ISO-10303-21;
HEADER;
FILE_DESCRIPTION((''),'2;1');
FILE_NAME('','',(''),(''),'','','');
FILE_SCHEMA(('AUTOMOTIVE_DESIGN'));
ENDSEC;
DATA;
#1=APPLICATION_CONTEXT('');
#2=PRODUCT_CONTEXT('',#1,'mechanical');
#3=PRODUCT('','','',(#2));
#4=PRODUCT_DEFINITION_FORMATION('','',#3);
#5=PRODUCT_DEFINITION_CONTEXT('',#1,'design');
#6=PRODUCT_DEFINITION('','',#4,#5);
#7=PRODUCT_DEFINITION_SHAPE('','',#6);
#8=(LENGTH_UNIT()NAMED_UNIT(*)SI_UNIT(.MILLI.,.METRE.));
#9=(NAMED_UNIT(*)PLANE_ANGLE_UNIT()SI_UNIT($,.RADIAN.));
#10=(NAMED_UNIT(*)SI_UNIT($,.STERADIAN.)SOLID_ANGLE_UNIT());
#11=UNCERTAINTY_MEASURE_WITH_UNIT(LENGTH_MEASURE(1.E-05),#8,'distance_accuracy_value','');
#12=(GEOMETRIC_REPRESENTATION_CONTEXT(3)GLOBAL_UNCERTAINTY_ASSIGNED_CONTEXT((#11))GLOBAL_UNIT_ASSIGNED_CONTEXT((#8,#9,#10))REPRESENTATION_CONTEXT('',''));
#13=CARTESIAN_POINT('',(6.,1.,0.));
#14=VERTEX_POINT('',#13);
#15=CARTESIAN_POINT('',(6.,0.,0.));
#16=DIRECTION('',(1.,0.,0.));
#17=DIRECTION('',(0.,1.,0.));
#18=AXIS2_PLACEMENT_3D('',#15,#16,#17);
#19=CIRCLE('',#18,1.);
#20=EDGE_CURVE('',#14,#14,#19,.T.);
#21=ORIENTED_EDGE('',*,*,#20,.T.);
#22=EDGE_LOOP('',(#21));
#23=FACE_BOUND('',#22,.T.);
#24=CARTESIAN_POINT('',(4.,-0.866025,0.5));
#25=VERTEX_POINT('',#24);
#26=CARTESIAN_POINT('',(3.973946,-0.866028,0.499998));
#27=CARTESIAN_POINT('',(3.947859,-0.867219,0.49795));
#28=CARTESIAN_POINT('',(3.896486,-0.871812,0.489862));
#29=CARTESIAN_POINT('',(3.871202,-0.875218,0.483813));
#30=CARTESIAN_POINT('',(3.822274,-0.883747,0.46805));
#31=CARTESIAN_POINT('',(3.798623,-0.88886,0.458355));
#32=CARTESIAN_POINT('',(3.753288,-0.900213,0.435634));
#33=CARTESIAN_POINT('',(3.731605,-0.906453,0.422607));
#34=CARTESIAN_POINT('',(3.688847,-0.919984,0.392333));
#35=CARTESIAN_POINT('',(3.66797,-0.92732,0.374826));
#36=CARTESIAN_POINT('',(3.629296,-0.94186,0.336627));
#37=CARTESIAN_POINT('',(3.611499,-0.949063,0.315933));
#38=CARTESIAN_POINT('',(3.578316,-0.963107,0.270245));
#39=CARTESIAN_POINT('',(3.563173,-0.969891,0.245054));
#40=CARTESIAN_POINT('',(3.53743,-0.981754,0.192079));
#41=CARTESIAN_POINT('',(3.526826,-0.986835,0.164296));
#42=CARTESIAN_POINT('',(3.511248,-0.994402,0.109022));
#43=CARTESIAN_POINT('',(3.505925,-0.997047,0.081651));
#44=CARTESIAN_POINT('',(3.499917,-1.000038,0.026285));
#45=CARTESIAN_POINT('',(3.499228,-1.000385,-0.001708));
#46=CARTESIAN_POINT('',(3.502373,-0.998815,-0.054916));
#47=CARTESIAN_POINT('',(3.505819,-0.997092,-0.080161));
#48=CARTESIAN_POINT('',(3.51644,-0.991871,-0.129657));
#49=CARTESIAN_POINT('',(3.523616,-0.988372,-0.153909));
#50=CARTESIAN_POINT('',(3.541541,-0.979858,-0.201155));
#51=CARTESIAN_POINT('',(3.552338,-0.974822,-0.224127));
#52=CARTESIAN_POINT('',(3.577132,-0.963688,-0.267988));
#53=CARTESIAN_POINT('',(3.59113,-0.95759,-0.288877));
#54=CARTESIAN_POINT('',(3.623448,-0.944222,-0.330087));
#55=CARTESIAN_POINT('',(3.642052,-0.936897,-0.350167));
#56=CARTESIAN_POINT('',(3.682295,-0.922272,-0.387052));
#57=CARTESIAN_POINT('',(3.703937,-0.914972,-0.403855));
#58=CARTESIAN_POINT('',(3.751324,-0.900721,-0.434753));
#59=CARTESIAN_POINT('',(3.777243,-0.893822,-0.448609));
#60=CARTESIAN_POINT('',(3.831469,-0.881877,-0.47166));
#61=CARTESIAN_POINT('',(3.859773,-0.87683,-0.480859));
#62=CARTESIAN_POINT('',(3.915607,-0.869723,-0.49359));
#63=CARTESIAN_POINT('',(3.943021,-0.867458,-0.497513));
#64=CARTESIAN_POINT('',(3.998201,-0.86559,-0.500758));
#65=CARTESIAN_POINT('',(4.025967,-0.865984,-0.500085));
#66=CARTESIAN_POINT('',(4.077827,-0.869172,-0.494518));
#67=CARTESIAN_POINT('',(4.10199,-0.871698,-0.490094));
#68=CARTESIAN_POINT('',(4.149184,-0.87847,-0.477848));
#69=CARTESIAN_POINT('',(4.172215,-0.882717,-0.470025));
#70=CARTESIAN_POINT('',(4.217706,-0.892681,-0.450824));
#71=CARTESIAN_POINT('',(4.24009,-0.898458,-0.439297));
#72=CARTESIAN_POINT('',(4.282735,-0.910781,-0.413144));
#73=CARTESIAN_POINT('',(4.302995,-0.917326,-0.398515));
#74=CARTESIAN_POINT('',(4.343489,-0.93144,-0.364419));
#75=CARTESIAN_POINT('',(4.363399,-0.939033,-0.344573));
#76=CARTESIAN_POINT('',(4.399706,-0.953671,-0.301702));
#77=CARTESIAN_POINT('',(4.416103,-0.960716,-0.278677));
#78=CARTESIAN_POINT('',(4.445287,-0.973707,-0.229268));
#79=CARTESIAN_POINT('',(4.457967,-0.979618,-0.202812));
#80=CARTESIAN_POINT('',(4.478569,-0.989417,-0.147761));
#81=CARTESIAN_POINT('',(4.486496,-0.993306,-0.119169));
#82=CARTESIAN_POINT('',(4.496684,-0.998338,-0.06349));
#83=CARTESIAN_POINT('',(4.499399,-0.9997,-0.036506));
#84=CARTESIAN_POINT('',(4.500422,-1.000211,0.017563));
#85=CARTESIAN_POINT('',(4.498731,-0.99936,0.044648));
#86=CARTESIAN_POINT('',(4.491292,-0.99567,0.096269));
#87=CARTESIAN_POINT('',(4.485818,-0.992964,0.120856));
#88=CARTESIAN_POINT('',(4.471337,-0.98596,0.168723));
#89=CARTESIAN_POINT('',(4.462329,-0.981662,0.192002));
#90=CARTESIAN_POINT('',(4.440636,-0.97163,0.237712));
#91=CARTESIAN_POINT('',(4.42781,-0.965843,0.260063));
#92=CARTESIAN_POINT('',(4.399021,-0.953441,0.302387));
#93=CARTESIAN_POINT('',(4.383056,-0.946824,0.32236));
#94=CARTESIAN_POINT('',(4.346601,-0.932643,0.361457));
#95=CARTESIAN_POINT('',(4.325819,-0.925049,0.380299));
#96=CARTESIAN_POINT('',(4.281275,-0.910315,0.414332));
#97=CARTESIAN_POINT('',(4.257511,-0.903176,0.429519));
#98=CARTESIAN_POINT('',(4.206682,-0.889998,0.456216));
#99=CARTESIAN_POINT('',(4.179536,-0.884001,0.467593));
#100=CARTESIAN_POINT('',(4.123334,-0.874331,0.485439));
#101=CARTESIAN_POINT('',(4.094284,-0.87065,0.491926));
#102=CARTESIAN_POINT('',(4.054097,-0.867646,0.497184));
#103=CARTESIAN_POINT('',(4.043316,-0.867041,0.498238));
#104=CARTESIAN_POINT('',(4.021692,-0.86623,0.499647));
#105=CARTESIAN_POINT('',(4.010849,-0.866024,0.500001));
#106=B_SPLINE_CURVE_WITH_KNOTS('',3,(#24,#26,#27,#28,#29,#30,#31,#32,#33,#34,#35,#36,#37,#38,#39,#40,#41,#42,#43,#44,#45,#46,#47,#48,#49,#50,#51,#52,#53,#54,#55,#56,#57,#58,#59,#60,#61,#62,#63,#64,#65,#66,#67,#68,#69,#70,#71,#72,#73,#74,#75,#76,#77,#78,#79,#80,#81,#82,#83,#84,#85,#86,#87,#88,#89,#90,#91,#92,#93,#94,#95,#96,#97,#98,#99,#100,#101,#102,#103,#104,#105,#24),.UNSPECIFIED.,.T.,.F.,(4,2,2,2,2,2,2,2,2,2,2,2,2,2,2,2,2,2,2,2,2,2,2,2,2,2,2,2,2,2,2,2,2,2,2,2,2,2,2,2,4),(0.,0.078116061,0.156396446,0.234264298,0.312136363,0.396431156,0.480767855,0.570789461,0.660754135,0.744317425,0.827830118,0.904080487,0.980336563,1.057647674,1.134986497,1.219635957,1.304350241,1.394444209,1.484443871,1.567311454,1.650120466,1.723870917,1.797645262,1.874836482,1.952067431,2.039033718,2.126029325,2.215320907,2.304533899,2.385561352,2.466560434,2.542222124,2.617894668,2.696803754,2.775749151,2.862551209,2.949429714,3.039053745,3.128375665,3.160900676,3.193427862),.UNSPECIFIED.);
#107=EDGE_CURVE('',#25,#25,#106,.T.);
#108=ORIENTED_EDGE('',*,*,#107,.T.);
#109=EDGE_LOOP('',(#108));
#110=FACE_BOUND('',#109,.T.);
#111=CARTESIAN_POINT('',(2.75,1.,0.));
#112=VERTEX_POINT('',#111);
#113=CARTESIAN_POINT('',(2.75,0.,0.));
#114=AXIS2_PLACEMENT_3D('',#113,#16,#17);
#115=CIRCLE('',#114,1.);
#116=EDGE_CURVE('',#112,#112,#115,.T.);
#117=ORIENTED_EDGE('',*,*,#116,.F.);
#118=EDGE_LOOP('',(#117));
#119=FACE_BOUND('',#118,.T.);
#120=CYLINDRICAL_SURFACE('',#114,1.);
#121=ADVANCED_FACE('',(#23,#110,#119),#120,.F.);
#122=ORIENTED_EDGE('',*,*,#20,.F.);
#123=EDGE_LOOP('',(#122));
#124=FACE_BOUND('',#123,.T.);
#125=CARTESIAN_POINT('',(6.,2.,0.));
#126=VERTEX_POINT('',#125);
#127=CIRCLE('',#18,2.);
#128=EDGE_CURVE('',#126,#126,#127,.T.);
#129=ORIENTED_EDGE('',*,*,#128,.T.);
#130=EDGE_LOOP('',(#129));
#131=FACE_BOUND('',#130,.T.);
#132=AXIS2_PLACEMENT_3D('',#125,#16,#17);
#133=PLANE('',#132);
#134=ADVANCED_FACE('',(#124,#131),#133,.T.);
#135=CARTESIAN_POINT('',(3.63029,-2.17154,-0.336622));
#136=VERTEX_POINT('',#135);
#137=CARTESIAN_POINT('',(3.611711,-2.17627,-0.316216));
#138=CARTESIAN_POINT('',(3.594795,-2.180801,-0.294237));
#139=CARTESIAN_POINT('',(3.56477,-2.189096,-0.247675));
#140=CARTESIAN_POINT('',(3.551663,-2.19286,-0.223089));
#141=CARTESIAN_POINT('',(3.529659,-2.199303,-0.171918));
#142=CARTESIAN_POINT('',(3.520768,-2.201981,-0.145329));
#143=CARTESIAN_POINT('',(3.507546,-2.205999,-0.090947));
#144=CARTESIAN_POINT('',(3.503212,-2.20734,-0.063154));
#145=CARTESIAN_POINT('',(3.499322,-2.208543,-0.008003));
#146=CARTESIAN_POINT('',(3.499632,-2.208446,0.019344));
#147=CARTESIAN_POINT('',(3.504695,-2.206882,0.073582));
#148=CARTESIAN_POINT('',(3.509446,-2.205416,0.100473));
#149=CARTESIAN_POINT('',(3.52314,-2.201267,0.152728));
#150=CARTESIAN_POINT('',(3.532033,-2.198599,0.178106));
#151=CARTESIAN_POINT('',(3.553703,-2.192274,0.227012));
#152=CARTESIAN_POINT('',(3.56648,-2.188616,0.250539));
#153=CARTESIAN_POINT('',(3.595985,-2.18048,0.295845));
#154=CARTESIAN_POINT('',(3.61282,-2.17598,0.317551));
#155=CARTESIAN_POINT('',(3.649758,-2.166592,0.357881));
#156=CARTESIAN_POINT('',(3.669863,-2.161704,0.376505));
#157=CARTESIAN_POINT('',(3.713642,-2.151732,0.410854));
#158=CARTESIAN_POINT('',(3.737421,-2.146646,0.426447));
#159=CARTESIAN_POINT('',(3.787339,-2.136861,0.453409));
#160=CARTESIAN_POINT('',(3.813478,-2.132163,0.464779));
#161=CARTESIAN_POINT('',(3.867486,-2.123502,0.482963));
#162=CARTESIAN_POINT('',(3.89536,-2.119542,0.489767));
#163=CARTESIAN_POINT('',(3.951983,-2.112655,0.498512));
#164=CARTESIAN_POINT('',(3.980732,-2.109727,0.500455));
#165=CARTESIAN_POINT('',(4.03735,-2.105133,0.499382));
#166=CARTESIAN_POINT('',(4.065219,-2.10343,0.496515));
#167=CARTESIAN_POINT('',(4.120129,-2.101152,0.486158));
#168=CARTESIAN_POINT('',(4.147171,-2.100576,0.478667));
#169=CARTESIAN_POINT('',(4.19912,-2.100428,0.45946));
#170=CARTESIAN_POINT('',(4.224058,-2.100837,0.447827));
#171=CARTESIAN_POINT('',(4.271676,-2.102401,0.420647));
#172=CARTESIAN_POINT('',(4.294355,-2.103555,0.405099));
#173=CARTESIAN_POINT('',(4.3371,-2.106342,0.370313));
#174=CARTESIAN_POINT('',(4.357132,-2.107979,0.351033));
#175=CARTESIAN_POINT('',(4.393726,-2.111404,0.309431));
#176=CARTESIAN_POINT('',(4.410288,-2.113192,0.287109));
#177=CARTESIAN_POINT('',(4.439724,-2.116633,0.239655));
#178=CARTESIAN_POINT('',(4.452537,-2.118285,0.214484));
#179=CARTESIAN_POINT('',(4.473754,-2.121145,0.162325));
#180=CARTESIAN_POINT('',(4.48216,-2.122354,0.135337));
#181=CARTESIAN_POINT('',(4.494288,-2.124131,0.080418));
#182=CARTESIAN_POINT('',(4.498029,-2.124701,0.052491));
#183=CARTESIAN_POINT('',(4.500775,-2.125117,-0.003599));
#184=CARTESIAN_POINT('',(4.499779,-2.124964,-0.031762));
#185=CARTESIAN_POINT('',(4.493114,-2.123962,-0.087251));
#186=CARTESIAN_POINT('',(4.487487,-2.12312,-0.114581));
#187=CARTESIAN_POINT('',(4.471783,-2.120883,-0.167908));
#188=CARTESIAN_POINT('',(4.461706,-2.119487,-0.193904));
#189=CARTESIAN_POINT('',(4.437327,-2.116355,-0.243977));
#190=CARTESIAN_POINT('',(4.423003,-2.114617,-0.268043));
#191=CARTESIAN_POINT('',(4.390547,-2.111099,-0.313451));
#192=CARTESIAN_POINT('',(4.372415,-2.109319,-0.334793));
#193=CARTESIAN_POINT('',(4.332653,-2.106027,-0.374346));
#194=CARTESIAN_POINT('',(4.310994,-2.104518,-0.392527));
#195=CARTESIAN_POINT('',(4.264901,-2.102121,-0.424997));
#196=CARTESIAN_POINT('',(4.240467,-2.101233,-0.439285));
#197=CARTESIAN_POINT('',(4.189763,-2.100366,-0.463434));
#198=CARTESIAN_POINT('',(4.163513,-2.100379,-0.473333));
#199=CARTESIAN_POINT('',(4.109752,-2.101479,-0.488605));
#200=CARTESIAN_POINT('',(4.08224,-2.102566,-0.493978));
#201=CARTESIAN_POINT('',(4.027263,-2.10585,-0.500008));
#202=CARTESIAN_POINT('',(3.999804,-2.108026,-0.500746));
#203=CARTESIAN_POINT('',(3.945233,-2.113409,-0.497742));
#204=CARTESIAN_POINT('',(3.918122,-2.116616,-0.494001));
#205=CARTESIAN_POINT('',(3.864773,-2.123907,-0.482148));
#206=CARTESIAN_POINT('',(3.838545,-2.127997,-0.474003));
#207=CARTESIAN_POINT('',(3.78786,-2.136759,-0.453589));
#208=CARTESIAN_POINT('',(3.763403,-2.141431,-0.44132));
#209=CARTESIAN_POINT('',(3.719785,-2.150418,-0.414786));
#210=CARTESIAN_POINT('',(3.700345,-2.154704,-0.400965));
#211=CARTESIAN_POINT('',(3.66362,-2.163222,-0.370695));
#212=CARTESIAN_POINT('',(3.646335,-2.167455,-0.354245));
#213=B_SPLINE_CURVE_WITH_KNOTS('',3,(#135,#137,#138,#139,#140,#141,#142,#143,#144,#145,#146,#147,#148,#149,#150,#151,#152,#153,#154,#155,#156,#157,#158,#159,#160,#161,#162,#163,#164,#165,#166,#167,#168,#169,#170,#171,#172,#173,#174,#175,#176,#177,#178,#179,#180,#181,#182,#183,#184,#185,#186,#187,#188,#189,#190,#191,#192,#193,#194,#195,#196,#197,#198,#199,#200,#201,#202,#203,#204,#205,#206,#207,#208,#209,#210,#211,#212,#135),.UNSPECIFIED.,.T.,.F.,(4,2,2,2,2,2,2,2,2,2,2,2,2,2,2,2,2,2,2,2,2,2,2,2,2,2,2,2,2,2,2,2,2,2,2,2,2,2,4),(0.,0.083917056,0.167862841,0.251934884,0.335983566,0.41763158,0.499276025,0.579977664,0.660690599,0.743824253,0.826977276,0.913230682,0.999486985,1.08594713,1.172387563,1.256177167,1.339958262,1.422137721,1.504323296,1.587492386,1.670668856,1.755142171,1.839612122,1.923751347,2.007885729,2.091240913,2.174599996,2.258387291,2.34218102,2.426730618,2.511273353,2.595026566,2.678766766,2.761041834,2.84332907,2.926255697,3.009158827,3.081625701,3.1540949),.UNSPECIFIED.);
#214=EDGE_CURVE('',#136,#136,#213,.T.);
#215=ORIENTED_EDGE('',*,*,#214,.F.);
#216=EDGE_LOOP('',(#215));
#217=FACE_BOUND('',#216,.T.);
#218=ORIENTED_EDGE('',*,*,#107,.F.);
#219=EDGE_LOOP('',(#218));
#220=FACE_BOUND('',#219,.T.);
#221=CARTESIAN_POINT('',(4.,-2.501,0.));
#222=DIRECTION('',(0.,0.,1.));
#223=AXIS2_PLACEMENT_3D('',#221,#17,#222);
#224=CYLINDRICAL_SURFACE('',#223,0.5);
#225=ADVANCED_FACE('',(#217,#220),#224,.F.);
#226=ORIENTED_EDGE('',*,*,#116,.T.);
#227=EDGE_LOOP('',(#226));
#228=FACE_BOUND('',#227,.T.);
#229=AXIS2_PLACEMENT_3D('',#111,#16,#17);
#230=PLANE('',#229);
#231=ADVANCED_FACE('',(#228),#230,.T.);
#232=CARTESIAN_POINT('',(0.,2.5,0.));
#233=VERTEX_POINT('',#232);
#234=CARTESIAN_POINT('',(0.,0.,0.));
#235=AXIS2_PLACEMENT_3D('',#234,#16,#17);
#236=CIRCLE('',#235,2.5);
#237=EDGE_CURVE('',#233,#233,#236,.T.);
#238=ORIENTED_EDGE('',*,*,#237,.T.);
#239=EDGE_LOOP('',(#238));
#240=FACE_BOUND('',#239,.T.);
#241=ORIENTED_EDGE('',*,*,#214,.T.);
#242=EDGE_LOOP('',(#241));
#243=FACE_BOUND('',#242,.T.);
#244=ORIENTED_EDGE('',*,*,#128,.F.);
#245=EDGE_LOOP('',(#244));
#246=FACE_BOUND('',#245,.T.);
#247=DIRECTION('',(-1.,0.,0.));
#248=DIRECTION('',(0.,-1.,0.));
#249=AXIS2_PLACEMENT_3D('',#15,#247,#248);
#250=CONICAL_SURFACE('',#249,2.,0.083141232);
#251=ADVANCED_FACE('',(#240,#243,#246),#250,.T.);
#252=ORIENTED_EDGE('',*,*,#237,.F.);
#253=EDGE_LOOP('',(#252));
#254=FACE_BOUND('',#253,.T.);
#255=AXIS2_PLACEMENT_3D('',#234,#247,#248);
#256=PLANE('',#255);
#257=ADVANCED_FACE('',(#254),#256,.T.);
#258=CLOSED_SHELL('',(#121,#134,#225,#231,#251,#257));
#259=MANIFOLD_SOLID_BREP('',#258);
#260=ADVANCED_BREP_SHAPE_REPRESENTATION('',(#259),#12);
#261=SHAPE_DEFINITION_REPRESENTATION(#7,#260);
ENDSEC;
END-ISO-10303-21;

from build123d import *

# Parameters (mm, degrees)
CUT_EXTRUDE1_REACH = 8.964
SKETCH2_R          = 0.5


with BuildPart() as part:
    # Sketch1 → Revolve1 (revolve)
    with BuildSketch(Plane.XY):
        Polygon((0, 0), (0, 2.5), (6, 2), (6, 1), (2.75, 1), (2.75, 0), align=None)
    revolve(axis=Axis((2.75, 0, 0), (-1, 0, 0)))

    # Cut-Extrude1: up to this cone (the profile starts inside it)
    cut_extrude1_end = Plane(origin=(4, 0, 0), z_dir=(-1, 0, 0)) * Cone(1.197444444, 3.135888889, 23.261333333, mode=Mode.PRIVATE)
    # Sketch2 → Cut-Extrude1 (cut, up to the surface)
    with BuildSketch(Plane(origin=(0, 0, 0), x_dir=(1, 0, 0), z_dir=(0, 1, 0)), mode=Mode.PRIVATE) as cut_extrude1_sk1:
        with Locations(Location((4, 0, 0), (0, 0, 270))):
            Circle(SKETCH2_R)
    cut_extrude1_tool1 = extrude(cut_extrude1_sk1.sketch, amount=-CUT_EXTRUDE1_REACH, mode=Mode.PRIVATE) & cut_extrude1_end
    add(cut_extrude1_tool1.solids().sort_by_distance((4, 0, 0))[0], mode=Mode.SUBTRACT)


solid = part.part
